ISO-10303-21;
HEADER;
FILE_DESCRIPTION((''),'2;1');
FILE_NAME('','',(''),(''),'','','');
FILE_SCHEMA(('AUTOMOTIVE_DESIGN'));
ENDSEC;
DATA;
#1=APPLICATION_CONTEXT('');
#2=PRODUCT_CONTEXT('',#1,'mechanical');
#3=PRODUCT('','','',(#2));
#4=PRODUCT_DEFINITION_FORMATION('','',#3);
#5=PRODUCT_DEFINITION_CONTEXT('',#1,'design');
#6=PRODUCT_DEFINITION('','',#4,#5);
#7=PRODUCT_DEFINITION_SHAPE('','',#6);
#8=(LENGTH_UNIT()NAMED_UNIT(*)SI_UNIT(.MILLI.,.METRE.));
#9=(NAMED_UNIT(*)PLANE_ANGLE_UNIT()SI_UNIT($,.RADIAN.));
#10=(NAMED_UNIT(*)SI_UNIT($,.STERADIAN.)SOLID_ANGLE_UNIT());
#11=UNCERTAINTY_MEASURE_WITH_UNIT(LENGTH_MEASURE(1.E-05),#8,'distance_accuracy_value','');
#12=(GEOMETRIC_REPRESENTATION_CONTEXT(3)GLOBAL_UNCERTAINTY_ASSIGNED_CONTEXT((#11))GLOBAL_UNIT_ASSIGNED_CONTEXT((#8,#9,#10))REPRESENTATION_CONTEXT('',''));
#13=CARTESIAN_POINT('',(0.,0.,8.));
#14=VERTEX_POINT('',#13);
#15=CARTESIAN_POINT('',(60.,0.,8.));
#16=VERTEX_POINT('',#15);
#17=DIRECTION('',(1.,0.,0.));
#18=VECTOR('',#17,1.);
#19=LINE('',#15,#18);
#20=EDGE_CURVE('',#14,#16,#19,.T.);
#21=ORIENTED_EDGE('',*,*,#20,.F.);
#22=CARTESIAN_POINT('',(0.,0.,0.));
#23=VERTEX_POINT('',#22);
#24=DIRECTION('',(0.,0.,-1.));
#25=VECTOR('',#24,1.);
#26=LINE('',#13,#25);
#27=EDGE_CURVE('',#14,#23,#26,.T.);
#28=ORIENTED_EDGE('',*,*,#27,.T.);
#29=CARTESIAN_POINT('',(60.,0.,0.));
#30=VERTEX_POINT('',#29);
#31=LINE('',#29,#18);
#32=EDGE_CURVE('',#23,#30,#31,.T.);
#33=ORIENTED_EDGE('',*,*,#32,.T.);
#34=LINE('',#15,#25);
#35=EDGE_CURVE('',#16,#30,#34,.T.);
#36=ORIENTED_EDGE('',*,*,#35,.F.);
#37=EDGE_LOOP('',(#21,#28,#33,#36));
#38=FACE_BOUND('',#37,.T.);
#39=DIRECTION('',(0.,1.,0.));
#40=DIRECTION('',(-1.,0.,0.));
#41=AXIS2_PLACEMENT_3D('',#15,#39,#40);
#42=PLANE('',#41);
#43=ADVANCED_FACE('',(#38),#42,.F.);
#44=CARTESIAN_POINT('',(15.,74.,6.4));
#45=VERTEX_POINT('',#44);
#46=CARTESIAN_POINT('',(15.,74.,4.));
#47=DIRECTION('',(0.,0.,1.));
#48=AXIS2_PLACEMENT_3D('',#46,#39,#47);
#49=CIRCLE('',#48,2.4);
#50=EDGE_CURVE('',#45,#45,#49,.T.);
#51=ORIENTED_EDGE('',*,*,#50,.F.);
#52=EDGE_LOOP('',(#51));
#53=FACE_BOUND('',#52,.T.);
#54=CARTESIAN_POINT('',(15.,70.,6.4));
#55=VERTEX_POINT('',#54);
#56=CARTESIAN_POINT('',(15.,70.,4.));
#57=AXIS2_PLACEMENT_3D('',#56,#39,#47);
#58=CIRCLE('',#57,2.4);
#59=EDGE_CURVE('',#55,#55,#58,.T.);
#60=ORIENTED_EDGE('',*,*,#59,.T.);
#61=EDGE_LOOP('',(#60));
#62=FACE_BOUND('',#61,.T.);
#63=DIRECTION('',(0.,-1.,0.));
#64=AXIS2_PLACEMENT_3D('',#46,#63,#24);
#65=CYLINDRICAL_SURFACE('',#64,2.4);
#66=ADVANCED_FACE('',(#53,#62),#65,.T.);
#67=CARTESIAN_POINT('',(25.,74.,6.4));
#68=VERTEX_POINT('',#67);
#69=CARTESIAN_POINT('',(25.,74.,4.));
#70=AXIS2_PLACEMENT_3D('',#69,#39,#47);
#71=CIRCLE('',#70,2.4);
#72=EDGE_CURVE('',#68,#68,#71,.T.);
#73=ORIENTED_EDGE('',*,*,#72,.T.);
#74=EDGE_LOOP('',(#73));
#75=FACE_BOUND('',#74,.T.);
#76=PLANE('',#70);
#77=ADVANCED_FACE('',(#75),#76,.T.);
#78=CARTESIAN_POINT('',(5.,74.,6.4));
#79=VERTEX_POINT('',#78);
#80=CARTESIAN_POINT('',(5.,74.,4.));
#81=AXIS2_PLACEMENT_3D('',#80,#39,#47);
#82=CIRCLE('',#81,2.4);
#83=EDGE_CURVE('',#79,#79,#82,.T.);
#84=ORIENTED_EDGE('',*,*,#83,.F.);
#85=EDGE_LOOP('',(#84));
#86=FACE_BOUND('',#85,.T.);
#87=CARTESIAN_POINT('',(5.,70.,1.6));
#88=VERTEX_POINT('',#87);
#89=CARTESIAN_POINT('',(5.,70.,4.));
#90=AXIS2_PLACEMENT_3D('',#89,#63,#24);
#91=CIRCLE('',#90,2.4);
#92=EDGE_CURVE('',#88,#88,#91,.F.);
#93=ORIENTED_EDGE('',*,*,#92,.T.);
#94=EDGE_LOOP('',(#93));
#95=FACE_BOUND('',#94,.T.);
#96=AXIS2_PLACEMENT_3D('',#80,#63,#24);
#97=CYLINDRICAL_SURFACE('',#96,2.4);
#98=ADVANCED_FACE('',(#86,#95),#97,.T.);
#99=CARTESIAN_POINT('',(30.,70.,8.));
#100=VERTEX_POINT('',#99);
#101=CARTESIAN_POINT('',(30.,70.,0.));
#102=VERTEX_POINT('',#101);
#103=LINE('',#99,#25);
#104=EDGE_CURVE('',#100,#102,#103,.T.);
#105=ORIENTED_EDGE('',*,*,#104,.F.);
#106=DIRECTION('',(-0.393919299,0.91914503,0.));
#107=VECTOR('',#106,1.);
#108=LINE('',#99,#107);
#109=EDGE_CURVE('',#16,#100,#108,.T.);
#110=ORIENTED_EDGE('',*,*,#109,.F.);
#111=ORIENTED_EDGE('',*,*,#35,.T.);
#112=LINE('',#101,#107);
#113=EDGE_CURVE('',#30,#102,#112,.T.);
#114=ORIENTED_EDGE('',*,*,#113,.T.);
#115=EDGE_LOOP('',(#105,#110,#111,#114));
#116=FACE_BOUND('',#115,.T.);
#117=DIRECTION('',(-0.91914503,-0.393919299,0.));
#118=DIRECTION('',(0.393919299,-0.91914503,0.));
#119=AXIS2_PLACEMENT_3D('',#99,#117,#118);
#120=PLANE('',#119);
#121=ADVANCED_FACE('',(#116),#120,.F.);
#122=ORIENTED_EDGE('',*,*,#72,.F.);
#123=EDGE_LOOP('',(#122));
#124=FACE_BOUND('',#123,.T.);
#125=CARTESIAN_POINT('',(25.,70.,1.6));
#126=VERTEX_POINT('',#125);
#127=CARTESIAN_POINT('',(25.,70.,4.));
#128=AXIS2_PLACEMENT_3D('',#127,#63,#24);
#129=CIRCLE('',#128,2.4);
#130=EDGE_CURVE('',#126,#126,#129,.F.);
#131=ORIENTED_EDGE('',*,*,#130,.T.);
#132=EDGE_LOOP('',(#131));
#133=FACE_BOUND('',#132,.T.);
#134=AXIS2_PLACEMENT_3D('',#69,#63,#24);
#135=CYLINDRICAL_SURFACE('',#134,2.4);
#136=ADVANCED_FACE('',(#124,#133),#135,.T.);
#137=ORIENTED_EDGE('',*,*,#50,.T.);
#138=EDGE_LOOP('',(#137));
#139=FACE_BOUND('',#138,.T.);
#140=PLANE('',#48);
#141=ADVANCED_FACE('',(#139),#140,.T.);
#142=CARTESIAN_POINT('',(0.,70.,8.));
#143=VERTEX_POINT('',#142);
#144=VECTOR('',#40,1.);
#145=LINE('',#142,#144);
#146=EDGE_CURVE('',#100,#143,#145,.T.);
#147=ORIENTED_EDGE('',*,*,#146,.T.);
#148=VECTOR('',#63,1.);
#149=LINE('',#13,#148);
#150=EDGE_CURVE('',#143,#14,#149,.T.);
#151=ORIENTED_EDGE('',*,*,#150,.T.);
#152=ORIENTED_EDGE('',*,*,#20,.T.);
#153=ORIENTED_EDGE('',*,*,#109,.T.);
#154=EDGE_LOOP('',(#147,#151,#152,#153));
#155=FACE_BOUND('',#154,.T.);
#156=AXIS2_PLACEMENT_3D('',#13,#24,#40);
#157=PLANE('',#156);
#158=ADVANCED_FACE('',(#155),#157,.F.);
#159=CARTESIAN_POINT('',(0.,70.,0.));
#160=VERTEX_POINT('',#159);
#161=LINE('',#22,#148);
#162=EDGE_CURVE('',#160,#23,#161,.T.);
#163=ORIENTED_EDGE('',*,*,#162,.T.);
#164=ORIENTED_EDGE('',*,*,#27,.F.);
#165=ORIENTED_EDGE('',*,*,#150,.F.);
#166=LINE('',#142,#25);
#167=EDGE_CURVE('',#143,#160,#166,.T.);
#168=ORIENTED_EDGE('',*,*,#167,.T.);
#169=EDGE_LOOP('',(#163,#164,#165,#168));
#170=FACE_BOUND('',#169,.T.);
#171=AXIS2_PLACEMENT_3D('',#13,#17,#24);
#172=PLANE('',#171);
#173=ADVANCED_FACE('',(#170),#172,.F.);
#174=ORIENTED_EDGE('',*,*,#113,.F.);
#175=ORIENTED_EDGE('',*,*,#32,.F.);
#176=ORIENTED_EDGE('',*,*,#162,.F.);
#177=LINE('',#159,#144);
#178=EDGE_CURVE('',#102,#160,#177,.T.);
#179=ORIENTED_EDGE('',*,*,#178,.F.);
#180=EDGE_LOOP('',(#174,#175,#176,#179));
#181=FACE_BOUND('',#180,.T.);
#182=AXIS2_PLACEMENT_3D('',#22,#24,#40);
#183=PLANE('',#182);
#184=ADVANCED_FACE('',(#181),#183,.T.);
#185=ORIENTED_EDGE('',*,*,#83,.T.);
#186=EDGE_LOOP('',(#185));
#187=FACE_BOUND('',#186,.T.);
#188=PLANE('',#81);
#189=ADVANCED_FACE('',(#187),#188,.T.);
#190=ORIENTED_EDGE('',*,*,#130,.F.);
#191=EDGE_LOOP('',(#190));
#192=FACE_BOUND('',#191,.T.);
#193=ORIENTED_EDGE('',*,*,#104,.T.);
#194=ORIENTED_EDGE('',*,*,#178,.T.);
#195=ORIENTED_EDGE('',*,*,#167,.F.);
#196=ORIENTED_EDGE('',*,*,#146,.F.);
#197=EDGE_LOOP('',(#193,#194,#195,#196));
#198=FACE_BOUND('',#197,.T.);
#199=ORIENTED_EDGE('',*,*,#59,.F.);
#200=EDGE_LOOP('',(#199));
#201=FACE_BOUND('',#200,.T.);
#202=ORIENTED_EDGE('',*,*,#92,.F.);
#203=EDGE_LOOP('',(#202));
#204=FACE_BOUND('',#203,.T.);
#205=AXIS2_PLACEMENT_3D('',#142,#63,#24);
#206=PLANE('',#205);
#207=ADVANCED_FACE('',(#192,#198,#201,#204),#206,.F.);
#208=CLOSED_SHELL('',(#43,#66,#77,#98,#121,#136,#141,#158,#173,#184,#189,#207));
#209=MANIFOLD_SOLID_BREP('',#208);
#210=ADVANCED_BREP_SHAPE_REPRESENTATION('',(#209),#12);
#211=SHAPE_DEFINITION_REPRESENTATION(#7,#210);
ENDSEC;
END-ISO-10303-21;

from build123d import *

# Parameters (mm, degrees)
RESSALTO_EXTRUS_O1_DEPTH = 8
ESBO_O2_R                = 2.4
RESSALTO_EXTRUS_O2_DEPTH = 4


with BuildPart() as part:
    # Esboço1 → Ressalto-extrusão1 (new body)
    with BuildSketch(Plane.XY):
        Polygon((0, 0), (0, 70), (30, 70), (60, 0), align=None)
    extrude(amount=RESSALTO_EXTRUS_O1_DEPTH)

    # Esboço2 → Ressalto-extrusão2 (add)
    with BuildSketch(Plane(origin=(0, 70, 0), x_dir=(1, 0, 0), z_dir=(0, 1, 0))):
        with Locations(Location((25, -4, 0), (0, 0, 90))):
            Circle(ESBO_O2_R)
        with Locations(Location((15, -4, 0), (0, 0, 270))):
            Circle(ESBO_O2_R)
        with Locations(Location((5, -4, 0), (0, 0, 90))):
            Circle(ESBO_O2_R)
    extrude(amount=RESSALTO_EXTRUS_O2_DEPTH)


solid = part.part
